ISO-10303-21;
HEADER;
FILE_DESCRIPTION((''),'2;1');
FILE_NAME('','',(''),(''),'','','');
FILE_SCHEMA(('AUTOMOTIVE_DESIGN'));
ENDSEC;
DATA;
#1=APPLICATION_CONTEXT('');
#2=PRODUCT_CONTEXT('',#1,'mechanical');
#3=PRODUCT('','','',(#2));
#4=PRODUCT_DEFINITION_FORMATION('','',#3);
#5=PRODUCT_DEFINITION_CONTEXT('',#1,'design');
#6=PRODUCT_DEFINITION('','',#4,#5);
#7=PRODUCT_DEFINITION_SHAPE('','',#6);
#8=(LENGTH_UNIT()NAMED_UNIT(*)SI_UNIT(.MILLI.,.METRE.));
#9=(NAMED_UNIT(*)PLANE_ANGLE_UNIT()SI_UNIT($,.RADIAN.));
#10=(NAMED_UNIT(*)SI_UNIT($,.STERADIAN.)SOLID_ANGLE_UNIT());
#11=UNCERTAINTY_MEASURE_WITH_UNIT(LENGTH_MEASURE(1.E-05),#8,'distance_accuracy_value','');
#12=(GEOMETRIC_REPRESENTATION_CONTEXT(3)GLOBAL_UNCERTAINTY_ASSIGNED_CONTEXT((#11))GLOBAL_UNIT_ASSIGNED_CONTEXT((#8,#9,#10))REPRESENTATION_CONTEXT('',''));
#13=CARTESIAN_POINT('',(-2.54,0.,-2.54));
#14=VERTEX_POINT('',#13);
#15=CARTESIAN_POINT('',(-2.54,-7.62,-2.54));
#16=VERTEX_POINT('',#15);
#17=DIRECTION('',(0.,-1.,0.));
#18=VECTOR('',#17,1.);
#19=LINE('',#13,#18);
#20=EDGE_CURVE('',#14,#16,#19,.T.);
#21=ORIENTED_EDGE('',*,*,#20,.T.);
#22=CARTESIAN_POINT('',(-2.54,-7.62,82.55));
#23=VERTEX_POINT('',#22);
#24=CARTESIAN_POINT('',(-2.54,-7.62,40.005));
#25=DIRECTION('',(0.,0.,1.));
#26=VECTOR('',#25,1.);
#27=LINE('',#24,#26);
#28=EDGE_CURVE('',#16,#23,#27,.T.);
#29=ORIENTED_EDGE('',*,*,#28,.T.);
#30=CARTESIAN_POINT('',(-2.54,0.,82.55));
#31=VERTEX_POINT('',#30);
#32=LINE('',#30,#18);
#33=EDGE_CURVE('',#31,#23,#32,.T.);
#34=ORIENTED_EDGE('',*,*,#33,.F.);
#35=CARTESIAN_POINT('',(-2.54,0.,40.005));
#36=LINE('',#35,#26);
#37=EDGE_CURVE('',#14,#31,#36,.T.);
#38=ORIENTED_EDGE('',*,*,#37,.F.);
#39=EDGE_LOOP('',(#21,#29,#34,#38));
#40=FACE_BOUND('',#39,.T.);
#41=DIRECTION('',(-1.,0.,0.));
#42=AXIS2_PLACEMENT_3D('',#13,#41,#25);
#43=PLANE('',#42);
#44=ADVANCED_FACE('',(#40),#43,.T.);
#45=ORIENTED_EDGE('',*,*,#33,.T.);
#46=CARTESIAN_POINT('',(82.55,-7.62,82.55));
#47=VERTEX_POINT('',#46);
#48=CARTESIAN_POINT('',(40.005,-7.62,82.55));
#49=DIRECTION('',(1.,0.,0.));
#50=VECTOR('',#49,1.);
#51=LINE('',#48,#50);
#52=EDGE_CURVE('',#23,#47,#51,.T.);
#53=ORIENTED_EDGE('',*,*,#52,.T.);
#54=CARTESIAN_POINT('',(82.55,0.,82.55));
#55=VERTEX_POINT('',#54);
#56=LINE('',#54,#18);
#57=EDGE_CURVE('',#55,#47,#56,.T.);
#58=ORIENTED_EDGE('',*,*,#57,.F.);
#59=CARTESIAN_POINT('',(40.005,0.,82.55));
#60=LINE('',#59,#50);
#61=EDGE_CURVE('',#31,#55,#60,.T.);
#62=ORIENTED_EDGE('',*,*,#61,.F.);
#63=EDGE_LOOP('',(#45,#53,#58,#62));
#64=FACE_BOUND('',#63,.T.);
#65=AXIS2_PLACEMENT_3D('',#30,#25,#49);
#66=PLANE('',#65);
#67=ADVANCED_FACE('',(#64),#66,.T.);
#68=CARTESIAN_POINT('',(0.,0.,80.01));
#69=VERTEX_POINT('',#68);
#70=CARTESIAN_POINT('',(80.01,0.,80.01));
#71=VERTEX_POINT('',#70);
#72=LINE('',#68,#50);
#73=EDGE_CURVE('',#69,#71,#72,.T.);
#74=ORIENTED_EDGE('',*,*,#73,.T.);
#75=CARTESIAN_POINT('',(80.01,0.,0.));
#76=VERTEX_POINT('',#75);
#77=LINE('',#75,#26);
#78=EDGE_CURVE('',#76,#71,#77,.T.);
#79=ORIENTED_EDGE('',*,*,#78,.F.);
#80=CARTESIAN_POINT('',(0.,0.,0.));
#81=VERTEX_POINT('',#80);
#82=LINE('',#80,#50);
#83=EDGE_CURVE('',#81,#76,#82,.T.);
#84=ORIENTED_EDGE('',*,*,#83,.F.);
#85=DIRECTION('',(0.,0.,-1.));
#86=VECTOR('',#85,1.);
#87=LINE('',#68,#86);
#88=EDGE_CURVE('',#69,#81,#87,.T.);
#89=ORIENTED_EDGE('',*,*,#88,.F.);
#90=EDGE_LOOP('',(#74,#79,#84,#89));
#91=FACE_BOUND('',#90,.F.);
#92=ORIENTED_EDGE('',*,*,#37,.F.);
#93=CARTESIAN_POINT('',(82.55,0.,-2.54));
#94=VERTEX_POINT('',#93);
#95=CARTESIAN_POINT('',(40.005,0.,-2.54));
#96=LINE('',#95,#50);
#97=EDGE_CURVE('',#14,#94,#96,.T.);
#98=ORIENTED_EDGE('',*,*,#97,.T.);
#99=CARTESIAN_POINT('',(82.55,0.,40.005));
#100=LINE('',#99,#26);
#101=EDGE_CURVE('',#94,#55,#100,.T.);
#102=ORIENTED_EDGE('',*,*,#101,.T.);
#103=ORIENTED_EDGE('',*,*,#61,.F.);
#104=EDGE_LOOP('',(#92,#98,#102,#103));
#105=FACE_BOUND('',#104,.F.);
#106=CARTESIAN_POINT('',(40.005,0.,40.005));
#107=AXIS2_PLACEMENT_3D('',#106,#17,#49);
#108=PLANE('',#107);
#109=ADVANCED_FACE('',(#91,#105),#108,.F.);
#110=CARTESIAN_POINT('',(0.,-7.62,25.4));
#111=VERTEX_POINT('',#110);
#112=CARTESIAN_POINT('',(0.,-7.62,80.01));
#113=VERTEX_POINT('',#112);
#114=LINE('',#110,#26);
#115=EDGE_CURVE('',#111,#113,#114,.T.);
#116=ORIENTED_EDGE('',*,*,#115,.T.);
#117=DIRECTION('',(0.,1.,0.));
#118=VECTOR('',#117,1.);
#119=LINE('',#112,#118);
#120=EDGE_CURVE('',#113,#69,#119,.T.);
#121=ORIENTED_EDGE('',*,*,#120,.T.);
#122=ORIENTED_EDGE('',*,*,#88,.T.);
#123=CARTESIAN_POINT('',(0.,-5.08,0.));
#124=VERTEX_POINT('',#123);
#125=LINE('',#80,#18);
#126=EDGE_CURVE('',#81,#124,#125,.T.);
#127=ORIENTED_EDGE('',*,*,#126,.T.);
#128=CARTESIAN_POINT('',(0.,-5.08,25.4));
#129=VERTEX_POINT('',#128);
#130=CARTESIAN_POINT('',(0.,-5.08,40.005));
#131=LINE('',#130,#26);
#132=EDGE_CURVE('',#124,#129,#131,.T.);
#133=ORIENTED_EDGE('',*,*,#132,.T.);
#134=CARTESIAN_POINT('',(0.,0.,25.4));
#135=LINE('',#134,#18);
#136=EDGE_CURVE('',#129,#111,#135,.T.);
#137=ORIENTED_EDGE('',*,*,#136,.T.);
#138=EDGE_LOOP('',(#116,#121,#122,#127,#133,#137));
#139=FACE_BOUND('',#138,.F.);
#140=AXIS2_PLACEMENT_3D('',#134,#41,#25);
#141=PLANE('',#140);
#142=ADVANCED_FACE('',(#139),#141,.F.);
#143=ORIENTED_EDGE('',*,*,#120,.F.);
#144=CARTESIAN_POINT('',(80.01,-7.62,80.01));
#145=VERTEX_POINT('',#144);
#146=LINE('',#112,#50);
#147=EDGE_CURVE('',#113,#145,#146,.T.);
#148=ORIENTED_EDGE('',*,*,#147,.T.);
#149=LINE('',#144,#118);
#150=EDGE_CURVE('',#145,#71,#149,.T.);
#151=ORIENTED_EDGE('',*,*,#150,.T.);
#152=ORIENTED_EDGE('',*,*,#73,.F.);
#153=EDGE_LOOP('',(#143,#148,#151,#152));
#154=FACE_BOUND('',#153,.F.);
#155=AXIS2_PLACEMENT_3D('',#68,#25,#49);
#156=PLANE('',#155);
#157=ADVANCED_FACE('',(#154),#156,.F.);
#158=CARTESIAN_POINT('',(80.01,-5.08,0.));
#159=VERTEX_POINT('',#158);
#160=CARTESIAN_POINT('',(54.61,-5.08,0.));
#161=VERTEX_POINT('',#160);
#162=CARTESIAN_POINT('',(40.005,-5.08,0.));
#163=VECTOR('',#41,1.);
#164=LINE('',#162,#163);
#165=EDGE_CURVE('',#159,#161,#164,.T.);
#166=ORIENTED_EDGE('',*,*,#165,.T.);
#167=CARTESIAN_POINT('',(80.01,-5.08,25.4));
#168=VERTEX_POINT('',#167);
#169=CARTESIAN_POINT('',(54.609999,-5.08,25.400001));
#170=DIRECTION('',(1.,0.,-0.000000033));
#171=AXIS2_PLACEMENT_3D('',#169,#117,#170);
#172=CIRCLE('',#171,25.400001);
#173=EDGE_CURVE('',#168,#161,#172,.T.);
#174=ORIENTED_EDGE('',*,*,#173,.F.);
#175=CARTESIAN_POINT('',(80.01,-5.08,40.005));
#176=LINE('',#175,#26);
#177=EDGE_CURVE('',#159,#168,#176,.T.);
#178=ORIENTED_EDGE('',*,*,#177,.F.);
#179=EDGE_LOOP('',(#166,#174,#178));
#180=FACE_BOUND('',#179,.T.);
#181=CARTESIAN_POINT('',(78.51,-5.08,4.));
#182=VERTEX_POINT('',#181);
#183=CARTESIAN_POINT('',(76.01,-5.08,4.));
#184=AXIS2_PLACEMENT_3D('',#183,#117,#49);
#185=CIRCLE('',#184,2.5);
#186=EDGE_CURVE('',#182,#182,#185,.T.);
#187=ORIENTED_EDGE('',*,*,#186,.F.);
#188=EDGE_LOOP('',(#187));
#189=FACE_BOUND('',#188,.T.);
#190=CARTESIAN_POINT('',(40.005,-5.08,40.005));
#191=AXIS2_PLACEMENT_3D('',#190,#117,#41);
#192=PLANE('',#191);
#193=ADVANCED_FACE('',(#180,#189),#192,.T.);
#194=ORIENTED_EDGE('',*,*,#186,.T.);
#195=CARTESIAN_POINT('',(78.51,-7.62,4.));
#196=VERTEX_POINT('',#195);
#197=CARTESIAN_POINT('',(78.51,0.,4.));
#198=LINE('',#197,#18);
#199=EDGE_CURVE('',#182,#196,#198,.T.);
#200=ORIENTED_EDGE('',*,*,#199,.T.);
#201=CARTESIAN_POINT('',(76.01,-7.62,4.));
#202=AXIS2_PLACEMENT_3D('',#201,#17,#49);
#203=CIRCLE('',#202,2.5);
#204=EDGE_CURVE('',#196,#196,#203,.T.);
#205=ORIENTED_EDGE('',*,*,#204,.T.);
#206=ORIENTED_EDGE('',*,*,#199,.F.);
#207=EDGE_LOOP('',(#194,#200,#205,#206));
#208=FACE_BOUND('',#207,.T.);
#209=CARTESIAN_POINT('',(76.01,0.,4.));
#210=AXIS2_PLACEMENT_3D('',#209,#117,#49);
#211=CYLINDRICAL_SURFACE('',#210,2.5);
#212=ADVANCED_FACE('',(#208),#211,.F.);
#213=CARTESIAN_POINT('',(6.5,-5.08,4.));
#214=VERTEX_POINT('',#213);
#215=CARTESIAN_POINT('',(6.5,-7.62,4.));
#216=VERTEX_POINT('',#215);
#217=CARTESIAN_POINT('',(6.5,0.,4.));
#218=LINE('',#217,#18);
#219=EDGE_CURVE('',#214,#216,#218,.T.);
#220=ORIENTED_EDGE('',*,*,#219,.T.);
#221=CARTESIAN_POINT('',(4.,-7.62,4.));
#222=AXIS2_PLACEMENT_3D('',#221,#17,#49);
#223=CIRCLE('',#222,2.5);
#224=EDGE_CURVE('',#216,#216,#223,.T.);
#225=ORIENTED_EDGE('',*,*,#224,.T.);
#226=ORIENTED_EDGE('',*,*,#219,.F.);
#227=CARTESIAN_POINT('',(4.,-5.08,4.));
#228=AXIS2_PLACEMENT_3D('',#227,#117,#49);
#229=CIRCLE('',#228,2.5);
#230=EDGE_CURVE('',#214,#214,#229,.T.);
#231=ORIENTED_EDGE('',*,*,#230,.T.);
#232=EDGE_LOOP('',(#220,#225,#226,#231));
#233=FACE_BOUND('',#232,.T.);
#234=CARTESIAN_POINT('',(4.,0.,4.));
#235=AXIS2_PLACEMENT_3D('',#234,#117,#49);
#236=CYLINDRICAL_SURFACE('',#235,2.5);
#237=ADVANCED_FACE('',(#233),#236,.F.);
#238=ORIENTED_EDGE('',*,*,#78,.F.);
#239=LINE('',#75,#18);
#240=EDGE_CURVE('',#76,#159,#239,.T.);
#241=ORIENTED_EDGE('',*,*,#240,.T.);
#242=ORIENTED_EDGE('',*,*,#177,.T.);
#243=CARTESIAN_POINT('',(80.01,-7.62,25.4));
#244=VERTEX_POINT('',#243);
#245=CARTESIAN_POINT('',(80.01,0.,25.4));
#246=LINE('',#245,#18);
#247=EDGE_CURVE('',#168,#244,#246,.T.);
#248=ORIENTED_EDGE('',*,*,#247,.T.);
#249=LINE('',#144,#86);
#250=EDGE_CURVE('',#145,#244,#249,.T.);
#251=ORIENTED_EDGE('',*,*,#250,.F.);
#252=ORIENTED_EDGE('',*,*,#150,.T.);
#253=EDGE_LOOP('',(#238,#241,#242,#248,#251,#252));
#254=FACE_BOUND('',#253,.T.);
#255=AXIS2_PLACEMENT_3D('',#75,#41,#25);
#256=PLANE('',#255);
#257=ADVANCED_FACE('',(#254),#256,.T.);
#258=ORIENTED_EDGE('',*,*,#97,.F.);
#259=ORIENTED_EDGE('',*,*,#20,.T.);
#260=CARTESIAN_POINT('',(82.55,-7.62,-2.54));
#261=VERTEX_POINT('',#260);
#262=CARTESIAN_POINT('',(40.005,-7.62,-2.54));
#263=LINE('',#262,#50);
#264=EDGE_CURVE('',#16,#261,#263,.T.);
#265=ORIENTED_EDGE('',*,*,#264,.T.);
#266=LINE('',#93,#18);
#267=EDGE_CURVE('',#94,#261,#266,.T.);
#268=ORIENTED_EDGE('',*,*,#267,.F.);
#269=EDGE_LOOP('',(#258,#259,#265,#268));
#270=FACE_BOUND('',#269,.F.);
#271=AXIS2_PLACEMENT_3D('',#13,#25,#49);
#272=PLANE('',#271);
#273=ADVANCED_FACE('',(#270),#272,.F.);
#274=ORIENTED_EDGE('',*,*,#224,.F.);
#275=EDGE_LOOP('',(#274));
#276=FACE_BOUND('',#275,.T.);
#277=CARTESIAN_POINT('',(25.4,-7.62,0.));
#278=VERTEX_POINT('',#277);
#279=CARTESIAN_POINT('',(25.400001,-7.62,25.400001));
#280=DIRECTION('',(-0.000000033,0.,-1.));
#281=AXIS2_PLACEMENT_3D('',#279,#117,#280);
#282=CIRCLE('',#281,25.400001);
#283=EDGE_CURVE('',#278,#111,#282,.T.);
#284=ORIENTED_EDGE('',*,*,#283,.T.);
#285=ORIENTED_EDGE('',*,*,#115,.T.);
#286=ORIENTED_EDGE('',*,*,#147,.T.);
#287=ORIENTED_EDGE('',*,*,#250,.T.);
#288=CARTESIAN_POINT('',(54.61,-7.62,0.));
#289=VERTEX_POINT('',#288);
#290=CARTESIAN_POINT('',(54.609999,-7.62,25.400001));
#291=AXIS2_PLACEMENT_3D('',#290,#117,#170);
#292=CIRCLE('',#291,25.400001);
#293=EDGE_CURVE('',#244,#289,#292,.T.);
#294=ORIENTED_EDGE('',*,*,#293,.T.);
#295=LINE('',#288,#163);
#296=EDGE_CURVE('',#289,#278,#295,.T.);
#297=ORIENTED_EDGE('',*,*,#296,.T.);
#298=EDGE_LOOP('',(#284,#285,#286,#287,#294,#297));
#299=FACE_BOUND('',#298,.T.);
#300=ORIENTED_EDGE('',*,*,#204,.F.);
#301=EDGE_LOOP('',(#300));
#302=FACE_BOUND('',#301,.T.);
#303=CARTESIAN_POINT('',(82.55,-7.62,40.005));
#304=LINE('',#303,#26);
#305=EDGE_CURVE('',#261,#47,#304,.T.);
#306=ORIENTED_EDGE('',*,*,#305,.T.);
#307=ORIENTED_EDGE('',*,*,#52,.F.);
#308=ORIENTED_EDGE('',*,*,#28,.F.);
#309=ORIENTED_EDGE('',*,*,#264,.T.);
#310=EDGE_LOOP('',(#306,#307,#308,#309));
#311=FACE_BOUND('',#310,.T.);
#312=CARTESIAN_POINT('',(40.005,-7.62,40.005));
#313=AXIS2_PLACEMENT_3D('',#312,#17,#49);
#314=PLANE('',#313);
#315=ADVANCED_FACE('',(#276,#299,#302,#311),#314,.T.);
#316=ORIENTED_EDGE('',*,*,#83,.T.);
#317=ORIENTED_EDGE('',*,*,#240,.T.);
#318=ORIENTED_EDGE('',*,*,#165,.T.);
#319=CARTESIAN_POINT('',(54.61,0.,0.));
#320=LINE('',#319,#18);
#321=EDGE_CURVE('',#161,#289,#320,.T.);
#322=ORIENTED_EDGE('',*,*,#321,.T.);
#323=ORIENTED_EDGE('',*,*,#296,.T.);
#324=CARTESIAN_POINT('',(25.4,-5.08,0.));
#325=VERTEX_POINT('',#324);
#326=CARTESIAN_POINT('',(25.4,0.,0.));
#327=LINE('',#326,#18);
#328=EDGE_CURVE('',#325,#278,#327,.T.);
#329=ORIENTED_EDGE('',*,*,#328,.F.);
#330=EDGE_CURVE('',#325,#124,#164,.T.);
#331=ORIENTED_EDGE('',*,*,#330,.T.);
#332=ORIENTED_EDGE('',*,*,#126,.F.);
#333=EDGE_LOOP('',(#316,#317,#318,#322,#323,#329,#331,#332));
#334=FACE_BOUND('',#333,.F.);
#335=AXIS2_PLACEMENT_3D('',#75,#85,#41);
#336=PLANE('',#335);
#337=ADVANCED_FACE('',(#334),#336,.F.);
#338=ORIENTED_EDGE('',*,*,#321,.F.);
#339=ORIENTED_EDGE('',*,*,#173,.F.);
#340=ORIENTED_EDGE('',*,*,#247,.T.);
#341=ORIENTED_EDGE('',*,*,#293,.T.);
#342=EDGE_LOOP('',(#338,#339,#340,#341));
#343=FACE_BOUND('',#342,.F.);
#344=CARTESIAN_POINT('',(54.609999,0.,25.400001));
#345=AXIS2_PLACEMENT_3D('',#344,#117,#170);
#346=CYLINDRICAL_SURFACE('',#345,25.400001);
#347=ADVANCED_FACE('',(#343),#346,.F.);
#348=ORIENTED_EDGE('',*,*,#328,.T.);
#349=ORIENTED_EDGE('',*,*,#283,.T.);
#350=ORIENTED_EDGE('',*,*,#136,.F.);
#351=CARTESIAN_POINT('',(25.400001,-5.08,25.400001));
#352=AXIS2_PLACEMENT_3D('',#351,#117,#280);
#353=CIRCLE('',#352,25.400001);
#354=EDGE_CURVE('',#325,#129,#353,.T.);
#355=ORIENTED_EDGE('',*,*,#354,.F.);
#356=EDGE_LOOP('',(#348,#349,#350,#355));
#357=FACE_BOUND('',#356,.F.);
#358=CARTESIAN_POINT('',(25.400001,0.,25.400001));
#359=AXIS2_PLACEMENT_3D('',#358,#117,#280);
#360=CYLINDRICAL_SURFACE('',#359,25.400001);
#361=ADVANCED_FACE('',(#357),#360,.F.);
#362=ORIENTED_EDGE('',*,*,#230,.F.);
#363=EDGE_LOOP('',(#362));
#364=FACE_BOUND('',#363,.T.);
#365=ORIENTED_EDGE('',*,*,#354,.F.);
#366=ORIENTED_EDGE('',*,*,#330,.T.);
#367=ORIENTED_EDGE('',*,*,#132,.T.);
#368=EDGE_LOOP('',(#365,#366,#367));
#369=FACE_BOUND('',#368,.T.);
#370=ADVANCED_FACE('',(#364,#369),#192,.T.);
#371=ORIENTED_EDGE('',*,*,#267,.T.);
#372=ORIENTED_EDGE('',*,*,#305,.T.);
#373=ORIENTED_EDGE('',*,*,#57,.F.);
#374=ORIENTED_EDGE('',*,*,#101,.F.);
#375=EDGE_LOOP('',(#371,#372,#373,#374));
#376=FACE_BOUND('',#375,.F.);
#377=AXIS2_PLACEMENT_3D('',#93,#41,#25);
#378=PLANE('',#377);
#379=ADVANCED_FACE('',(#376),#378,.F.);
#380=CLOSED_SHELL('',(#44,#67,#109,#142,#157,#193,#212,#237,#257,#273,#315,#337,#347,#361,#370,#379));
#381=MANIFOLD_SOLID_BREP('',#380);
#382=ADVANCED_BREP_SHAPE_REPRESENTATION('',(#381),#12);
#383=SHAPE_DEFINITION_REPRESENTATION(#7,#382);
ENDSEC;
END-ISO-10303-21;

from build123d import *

# Parameters (mm, degrees)
F0_W     = 85.09
F0_H     = 85.09
F0_R     = 2.5
F1_DEPTH = 7.62
F2_W     = 80.01
F2_H     = 80.01
F3_DEPTH = 5.08


with BuildPart() as f1:
    # F0 (on Front) → F1 (new body)
    with BuildSketch(Plane.XZ):
        with Locations((40.005, 40.005)):
            Rectangle(F0_W, F0_H)
        with Locations((4, 4)):
            Circle(F0_R, mode=Mode.SUBTRACT)
        with Locations((76.01, 4)):
            Circle(F0_R, mode=Mode.SUBTRACT)
        with BuildLine():
            ThreePointArc((25.4, 0), (7.439488, 7.439488), (0, 25.4))
            Line((0, 25.4), (0, 80.01))
            Line((0, 80.01), (80.01, 80.01))
            Line((80.01, 80.01), (80.01, 25.4))
            ThreePointArc((80.01, 25.4), (72.570512, 7.439488), (54.61, 0))
            Line((54.61, 0), (25.4, 0))
        make_face(mode=Mode.SUBTRACT)
    extrude(amount=F1_DEPTH)

    # F2 (on face) → F3 (cut)
    with BuildSketch(Plane(origin=(0, 0, 0), x_dir=(-1, 0, 0), z_dir=(0, 1, 0))):
        with Locations((-40.005, 40.005)):
            Rectangle(F2_W, F2_H)
    extrude(amount=-F3_DEPTH, mode=Mode.SUBTRACT)


solid = f1.part
